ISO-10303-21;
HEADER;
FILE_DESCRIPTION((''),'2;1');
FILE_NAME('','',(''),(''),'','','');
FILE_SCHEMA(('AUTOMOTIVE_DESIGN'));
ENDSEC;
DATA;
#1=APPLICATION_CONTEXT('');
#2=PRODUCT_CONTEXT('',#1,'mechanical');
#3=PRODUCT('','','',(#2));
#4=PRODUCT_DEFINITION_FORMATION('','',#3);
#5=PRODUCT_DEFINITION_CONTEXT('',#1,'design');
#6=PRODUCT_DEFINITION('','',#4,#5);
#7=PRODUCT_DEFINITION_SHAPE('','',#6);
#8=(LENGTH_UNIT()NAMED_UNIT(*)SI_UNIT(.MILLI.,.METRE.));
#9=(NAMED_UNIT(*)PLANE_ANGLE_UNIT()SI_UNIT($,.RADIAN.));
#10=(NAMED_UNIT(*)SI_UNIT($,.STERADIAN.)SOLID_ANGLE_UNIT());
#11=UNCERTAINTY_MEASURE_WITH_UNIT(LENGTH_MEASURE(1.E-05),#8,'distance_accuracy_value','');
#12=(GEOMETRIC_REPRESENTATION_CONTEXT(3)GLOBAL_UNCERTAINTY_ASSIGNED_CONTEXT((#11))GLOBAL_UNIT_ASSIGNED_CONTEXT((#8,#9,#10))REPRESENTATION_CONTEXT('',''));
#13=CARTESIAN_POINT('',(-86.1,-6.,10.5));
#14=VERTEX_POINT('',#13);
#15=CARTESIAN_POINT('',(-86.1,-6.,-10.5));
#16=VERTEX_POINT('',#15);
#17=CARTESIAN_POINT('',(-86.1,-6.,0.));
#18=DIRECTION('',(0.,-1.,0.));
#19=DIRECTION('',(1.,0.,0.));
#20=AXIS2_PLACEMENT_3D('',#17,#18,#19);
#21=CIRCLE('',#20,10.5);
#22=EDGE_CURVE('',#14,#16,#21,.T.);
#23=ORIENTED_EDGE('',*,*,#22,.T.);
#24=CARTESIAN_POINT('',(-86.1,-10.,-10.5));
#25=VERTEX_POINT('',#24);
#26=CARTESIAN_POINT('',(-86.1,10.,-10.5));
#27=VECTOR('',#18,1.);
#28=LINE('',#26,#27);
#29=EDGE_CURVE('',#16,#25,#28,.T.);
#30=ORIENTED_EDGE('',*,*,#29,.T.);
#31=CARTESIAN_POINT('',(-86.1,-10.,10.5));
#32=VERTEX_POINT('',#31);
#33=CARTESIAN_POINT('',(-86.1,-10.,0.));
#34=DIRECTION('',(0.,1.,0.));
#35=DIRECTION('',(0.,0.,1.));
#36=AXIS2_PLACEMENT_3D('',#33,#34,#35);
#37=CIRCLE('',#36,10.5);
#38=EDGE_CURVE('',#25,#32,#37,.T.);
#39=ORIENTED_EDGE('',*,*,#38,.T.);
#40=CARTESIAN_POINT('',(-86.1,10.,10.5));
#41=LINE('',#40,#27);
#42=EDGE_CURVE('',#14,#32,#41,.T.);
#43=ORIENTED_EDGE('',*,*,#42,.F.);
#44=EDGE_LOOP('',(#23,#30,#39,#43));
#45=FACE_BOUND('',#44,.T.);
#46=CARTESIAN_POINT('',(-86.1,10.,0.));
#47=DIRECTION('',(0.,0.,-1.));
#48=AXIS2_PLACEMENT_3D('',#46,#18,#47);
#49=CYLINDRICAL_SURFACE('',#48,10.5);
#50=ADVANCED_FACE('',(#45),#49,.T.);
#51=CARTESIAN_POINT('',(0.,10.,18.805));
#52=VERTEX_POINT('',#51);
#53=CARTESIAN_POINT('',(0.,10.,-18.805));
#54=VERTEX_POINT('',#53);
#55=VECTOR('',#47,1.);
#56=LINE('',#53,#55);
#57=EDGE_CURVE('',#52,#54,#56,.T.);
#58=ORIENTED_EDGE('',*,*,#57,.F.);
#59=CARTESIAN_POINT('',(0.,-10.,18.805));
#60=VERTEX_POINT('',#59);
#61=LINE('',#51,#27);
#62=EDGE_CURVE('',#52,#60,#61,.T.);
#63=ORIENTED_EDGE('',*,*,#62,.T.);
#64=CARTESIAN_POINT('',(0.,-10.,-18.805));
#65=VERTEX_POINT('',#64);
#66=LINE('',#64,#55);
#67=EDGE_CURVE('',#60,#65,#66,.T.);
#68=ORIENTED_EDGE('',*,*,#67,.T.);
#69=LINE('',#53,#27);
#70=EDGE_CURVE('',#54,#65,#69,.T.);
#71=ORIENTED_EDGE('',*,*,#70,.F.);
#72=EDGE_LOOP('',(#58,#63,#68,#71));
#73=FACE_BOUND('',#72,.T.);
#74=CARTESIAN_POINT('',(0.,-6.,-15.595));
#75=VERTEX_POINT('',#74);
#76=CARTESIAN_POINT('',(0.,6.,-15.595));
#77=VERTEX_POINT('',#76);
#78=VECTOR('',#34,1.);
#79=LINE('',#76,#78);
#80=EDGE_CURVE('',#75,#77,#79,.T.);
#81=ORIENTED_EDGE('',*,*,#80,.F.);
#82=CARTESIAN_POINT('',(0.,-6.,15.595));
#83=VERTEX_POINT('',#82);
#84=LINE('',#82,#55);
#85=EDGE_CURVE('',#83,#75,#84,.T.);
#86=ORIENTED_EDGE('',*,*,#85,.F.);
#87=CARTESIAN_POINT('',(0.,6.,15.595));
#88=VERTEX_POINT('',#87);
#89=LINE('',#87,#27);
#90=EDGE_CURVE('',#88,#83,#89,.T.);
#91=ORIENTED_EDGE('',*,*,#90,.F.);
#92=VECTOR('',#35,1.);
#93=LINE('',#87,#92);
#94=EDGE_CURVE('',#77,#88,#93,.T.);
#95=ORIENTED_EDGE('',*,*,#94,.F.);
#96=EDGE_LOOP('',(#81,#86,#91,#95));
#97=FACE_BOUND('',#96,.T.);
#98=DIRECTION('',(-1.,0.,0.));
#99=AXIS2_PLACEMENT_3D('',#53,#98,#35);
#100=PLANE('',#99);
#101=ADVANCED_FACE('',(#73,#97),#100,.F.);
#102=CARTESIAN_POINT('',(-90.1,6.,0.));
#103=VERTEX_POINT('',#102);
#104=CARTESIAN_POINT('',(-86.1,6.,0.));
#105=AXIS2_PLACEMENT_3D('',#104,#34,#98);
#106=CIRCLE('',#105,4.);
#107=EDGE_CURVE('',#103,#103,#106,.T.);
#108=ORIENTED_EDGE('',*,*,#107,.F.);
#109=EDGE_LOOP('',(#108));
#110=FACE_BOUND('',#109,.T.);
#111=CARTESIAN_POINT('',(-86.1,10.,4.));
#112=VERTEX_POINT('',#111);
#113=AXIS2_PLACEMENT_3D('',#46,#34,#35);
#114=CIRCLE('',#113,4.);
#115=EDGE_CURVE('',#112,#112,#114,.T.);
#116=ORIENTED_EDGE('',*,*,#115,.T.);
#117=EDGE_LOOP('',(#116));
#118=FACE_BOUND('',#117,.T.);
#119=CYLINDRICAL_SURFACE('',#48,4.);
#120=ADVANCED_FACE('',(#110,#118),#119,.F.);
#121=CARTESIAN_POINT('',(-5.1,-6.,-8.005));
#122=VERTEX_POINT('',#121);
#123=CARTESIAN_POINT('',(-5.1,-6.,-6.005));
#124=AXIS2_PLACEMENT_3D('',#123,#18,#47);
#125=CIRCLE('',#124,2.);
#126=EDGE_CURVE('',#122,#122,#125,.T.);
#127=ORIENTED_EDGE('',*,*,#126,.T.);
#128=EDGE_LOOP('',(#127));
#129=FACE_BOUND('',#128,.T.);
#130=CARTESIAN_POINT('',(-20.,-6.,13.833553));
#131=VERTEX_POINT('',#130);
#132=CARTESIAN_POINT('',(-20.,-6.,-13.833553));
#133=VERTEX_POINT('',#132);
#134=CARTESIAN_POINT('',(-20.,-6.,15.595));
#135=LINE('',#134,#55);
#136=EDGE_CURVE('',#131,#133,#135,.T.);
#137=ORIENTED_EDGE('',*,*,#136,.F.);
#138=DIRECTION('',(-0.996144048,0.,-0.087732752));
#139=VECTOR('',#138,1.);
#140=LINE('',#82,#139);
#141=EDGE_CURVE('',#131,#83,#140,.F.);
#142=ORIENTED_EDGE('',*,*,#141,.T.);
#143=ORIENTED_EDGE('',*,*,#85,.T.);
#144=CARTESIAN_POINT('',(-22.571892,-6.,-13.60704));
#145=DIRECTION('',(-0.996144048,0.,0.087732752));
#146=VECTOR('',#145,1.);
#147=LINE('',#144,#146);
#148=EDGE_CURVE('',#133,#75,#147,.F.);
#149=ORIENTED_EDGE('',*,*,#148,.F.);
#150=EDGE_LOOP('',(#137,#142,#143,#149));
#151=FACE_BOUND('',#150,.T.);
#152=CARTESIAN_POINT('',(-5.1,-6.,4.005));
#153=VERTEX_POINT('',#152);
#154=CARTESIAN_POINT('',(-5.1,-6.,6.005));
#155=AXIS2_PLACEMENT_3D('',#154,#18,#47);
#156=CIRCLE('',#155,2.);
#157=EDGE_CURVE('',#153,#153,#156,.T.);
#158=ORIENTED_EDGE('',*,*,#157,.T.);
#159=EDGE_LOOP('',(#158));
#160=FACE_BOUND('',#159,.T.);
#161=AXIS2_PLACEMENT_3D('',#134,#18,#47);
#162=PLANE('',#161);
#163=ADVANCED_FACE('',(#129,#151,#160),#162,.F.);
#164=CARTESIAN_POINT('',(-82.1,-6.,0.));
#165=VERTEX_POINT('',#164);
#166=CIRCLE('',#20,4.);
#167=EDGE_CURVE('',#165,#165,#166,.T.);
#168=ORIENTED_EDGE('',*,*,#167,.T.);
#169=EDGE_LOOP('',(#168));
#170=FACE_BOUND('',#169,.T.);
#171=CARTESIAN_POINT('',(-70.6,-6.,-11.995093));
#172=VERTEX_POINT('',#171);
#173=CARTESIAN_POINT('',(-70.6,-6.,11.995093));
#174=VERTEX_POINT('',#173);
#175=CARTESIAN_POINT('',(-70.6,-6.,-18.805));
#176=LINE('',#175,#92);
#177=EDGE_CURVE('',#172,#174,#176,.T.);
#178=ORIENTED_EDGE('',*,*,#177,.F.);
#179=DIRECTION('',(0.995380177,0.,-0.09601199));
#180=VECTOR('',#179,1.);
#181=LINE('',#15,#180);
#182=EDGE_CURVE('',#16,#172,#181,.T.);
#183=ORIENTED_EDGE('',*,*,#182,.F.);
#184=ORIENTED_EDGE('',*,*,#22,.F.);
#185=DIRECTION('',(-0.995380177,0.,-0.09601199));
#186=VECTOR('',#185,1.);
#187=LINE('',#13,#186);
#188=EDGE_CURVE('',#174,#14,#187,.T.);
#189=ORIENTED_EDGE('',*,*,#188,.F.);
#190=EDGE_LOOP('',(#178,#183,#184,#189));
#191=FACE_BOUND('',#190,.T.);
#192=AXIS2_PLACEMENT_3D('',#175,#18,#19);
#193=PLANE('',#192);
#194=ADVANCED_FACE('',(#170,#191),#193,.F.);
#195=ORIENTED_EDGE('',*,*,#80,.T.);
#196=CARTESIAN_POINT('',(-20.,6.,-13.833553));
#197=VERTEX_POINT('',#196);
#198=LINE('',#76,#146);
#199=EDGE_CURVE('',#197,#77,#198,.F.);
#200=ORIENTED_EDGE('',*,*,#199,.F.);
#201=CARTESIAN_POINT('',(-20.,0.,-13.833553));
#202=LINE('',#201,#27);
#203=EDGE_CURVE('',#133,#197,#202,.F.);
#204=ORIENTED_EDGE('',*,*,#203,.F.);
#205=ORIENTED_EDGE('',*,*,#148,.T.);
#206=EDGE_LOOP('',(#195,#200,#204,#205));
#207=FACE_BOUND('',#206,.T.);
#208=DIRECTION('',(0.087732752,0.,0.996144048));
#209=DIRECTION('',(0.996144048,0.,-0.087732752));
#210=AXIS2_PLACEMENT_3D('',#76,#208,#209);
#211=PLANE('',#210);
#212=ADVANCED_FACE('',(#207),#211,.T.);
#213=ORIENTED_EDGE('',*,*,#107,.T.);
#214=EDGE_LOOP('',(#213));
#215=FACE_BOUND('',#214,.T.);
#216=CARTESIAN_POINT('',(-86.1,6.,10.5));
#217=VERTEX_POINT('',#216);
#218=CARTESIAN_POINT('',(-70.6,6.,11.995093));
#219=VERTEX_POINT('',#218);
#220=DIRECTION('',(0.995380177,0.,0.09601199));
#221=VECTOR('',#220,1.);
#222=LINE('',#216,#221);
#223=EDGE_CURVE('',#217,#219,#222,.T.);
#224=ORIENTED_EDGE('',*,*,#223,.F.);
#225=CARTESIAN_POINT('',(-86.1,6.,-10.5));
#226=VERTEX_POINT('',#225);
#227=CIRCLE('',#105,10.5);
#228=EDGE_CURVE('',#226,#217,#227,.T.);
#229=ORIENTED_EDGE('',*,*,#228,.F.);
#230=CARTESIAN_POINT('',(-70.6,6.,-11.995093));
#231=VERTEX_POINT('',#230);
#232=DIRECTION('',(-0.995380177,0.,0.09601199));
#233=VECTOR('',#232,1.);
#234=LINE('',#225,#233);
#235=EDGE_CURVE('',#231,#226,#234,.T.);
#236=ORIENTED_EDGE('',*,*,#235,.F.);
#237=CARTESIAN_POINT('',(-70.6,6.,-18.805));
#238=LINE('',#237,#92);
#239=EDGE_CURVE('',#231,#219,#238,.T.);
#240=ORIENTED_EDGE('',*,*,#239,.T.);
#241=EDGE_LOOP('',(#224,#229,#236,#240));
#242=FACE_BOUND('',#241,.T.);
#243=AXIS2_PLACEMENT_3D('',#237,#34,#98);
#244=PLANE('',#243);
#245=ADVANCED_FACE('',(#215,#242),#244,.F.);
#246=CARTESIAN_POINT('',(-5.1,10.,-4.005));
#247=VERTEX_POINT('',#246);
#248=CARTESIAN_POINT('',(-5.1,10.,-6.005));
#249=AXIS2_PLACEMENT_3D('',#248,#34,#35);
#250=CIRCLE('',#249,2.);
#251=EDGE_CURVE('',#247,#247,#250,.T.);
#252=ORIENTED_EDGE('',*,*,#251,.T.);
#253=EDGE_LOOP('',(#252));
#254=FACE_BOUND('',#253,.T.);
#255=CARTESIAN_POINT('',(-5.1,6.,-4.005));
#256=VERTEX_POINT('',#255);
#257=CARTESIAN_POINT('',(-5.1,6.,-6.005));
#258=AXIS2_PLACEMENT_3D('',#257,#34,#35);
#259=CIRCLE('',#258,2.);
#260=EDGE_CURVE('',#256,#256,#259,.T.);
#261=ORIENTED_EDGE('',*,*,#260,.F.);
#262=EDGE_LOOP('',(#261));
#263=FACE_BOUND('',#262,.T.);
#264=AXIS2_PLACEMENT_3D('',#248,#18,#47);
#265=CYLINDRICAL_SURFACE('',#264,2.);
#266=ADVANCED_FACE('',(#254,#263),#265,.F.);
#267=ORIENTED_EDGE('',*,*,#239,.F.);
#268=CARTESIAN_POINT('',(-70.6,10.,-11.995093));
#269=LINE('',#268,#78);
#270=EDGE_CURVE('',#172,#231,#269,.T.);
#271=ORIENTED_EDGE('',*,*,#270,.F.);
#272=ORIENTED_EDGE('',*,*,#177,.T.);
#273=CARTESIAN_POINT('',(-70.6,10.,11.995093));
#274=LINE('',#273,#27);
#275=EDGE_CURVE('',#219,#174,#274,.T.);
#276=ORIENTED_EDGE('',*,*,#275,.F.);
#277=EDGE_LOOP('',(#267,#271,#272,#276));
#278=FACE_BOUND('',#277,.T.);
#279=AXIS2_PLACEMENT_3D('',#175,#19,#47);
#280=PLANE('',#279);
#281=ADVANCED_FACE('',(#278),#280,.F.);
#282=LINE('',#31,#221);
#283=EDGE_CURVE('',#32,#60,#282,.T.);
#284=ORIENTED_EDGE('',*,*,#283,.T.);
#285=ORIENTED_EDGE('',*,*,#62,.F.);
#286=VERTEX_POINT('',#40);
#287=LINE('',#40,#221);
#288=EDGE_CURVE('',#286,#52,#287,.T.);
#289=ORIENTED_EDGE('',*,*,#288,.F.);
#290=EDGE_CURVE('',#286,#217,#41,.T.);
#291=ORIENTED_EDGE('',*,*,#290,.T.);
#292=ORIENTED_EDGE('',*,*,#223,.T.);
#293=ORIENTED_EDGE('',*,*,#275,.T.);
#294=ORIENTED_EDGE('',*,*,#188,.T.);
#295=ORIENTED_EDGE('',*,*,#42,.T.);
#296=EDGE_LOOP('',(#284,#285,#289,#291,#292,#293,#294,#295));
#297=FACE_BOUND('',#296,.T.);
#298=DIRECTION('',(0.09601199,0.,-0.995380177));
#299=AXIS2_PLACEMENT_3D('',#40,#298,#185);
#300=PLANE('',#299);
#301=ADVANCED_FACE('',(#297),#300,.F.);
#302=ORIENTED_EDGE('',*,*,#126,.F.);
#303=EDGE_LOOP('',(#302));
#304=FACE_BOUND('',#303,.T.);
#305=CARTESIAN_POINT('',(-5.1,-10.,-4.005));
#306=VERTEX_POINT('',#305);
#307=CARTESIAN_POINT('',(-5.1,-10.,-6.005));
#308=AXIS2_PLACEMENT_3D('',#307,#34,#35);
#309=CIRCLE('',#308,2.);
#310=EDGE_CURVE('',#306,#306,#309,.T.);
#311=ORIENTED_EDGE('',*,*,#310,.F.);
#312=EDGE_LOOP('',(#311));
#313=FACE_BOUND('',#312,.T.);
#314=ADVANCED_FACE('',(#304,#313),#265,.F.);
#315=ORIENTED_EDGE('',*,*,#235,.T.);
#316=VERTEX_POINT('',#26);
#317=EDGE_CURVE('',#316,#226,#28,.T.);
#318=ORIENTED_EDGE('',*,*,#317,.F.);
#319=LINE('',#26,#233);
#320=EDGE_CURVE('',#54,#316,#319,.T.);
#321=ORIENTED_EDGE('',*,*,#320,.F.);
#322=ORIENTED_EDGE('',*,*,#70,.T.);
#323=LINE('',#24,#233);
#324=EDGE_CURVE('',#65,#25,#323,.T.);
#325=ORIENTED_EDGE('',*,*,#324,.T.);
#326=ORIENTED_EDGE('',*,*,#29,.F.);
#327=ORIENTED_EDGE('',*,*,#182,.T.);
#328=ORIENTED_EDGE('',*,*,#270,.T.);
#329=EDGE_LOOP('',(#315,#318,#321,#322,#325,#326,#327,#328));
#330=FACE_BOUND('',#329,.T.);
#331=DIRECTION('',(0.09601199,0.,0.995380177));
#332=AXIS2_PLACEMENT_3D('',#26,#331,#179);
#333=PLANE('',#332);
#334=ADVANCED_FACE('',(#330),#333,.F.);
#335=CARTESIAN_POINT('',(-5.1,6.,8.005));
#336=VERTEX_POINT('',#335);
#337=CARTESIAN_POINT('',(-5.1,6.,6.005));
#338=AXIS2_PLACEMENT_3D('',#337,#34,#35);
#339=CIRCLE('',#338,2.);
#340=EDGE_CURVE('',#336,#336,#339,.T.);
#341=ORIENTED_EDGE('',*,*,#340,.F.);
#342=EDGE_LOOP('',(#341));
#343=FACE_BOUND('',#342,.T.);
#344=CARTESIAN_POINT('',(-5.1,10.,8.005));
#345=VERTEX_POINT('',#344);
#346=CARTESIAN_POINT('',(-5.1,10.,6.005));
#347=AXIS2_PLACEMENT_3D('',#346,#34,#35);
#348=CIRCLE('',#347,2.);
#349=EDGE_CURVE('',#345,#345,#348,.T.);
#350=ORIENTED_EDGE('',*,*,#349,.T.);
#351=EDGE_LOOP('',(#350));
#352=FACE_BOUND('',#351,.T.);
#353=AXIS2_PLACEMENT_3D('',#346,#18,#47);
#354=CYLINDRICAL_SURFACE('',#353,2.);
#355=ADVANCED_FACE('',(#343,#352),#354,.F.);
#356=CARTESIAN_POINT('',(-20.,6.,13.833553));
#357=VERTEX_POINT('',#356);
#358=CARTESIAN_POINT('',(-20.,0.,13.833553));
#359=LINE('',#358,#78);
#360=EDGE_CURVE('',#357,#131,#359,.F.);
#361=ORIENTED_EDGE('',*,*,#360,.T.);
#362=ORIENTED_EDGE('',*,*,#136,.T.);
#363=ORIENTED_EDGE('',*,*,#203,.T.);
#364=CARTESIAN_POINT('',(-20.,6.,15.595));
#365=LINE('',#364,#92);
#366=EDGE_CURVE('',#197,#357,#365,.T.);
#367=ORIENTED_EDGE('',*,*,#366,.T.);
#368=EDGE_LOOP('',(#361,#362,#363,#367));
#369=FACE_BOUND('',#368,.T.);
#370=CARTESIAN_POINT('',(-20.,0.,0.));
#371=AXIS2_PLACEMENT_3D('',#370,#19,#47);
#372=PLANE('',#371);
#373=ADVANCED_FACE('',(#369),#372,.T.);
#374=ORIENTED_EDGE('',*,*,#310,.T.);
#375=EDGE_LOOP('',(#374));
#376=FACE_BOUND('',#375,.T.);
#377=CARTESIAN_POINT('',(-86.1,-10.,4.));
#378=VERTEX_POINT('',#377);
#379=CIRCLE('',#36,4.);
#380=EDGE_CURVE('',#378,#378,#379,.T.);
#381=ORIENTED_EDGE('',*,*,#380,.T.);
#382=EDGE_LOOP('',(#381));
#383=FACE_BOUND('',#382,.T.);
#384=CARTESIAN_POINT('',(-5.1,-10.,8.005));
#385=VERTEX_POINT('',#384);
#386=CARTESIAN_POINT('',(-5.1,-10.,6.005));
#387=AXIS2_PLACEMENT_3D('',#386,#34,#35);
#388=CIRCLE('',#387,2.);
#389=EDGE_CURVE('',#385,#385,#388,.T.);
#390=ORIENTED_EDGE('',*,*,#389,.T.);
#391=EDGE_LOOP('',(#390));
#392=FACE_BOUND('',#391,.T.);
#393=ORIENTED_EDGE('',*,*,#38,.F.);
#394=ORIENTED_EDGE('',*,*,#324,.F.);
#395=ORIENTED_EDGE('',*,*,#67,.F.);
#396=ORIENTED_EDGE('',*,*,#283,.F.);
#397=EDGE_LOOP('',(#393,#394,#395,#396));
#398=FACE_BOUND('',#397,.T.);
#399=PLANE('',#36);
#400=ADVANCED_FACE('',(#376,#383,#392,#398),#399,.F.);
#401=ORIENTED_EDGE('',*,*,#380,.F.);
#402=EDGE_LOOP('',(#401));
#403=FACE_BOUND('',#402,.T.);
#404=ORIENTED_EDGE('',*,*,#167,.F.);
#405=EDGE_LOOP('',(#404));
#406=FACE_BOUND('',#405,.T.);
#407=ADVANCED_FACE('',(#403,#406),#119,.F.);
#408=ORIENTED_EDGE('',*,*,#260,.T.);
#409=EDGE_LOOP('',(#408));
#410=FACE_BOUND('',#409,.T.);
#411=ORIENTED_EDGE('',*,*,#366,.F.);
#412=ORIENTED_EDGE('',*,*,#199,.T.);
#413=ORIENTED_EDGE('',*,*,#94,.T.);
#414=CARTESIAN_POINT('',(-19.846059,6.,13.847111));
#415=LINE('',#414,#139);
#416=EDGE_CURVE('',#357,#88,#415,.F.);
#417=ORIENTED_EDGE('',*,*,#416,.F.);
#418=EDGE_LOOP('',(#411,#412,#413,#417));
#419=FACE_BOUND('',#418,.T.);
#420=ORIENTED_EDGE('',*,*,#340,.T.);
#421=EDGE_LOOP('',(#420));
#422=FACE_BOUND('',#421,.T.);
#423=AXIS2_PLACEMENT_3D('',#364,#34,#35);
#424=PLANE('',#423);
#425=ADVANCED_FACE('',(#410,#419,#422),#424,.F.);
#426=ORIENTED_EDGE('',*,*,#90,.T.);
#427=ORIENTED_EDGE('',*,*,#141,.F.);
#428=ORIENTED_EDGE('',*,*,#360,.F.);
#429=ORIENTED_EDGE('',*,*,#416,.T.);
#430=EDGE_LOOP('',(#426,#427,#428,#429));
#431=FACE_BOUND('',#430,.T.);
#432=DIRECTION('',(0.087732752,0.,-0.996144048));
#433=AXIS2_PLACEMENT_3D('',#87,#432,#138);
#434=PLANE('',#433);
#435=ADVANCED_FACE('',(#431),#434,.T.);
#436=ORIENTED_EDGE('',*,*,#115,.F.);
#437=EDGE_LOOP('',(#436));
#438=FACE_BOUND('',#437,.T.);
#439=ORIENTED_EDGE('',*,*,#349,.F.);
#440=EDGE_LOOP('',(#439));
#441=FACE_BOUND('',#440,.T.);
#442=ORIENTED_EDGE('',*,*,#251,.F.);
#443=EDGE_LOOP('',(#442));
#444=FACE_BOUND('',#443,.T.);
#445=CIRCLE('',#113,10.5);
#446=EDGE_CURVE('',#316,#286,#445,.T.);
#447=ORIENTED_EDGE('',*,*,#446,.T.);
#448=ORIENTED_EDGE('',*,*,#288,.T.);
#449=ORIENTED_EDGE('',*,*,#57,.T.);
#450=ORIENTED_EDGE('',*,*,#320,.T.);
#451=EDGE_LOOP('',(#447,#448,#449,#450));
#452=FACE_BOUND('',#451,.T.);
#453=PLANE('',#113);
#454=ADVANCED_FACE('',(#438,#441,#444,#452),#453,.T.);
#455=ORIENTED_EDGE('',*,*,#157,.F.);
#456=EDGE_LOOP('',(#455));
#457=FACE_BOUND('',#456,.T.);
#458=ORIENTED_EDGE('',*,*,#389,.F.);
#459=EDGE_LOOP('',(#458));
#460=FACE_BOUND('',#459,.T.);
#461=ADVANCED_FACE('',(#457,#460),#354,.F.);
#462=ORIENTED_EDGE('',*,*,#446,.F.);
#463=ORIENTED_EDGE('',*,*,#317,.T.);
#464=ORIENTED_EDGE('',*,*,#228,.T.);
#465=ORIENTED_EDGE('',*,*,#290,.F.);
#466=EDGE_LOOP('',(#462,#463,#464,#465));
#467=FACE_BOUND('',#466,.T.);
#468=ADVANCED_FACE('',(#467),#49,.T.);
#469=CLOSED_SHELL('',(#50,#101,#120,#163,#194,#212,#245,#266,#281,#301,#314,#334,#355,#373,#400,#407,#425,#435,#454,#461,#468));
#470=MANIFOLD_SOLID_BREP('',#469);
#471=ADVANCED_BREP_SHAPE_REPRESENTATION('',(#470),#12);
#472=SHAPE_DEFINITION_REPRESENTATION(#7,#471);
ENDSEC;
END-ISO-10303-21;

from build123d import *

# Parameters (mm, degrees)
SKETCH1_R               = 4
SKETCH1_R_2             = 2
BOSS_EXTRUDE1_DEPTH     = 10
SKETCH3_W               = 31.19
SKETCH3_H               = 12
CUT_EXTRUDE1_DEPTH      = 20
DRAFT1_ANGLE            = 5.03318731
CUT_EXTRUDE2_DEPTH      = 99.920109305
CUT_EXTRUDE2_DEPTH_BACK = 99.920109305
SKETCH4_W               = 26
SKETCH4_H               = 12


with BuildPart() as part:
    # Sketch1 → Boss-Extrude1 (new, symmetric)
    with BuildSketch(Plane(origin=(0, 0, 0), x_dir=(1, 0, 0), z_dir=(0, 1, 0))):
        with BuildLine():
            Line((0, 18.805), (0, -18.805))
            Line((0, -18.805), (-86.1, -10.5))
            ThreePointArc((-86.1, -10.5), (-96.6, 0), (-86.1, 10.5))
            Line((-86.1, 10.5), (0, 18.805))
        make_face()
        with Locations(Location((-86.1, 0, 0), (0, 0, 270))):
            Circle(SKETCH1_R, mode=Mode.SUBTRACT)
        with Locations(Location((-5.1, 6.005, 0), (0, 0, 270))):
            Circle(SKETCH1_R_2, mode=Mode.SUBTRACT)
        with Locations(Location((-5.1, -6.005, 0), (0, 0, 270))):
            Circle(SKETCH1_R_2, mode=Mode.SUBTRACT)
    extrude(amount=BOSS_EXTRUDE1_DEPTH, both=True)

    # Sketch3 → Cut-Extrude1 (cut)
    with BuildSketch(Plane(origin=(0, 0, 0), x_dir=(0, 0, -1), z_dir=(1, 0, 0))):
        Rectangle(SKETCH3_W, SKETCH3_H)
    extrude(amount=-CUT_EXTRUDE1_DEPTH, mode=Mode.SUBTRACT)

    # Draft1
    draft1_faces = [part.faces().sort_by_distance(p)[0] for p in [
        (-10, 0, 15.595),
        (-10, 0, -15.595),
    ]]
    draft(draft1_faces, Plane(origin=(0, 10, -18.805), x_dir=(0, 0, 1), z_dir=(1, 0, 0)), DRAFT1_ANGLE)

    # Sketch4 → Cut-Extrude2 (cut, two sides: drawn at the far end of the back side and taken through both)
    with BuildSketch(Plane.XY.offset(-CUT_EXTRUDE2_DEPTH_BACK)):
        with Locations((-83.6, 0)):
            Rectangle(SKETCH4_W, SKETCH4_H)
    extrude(amount=CUT_EXTRUDE2_DEPTH + CUT_EXTRUDE2_DEPTH_BACK, mode=Mode.SUBTRACT)


solid = part.part
